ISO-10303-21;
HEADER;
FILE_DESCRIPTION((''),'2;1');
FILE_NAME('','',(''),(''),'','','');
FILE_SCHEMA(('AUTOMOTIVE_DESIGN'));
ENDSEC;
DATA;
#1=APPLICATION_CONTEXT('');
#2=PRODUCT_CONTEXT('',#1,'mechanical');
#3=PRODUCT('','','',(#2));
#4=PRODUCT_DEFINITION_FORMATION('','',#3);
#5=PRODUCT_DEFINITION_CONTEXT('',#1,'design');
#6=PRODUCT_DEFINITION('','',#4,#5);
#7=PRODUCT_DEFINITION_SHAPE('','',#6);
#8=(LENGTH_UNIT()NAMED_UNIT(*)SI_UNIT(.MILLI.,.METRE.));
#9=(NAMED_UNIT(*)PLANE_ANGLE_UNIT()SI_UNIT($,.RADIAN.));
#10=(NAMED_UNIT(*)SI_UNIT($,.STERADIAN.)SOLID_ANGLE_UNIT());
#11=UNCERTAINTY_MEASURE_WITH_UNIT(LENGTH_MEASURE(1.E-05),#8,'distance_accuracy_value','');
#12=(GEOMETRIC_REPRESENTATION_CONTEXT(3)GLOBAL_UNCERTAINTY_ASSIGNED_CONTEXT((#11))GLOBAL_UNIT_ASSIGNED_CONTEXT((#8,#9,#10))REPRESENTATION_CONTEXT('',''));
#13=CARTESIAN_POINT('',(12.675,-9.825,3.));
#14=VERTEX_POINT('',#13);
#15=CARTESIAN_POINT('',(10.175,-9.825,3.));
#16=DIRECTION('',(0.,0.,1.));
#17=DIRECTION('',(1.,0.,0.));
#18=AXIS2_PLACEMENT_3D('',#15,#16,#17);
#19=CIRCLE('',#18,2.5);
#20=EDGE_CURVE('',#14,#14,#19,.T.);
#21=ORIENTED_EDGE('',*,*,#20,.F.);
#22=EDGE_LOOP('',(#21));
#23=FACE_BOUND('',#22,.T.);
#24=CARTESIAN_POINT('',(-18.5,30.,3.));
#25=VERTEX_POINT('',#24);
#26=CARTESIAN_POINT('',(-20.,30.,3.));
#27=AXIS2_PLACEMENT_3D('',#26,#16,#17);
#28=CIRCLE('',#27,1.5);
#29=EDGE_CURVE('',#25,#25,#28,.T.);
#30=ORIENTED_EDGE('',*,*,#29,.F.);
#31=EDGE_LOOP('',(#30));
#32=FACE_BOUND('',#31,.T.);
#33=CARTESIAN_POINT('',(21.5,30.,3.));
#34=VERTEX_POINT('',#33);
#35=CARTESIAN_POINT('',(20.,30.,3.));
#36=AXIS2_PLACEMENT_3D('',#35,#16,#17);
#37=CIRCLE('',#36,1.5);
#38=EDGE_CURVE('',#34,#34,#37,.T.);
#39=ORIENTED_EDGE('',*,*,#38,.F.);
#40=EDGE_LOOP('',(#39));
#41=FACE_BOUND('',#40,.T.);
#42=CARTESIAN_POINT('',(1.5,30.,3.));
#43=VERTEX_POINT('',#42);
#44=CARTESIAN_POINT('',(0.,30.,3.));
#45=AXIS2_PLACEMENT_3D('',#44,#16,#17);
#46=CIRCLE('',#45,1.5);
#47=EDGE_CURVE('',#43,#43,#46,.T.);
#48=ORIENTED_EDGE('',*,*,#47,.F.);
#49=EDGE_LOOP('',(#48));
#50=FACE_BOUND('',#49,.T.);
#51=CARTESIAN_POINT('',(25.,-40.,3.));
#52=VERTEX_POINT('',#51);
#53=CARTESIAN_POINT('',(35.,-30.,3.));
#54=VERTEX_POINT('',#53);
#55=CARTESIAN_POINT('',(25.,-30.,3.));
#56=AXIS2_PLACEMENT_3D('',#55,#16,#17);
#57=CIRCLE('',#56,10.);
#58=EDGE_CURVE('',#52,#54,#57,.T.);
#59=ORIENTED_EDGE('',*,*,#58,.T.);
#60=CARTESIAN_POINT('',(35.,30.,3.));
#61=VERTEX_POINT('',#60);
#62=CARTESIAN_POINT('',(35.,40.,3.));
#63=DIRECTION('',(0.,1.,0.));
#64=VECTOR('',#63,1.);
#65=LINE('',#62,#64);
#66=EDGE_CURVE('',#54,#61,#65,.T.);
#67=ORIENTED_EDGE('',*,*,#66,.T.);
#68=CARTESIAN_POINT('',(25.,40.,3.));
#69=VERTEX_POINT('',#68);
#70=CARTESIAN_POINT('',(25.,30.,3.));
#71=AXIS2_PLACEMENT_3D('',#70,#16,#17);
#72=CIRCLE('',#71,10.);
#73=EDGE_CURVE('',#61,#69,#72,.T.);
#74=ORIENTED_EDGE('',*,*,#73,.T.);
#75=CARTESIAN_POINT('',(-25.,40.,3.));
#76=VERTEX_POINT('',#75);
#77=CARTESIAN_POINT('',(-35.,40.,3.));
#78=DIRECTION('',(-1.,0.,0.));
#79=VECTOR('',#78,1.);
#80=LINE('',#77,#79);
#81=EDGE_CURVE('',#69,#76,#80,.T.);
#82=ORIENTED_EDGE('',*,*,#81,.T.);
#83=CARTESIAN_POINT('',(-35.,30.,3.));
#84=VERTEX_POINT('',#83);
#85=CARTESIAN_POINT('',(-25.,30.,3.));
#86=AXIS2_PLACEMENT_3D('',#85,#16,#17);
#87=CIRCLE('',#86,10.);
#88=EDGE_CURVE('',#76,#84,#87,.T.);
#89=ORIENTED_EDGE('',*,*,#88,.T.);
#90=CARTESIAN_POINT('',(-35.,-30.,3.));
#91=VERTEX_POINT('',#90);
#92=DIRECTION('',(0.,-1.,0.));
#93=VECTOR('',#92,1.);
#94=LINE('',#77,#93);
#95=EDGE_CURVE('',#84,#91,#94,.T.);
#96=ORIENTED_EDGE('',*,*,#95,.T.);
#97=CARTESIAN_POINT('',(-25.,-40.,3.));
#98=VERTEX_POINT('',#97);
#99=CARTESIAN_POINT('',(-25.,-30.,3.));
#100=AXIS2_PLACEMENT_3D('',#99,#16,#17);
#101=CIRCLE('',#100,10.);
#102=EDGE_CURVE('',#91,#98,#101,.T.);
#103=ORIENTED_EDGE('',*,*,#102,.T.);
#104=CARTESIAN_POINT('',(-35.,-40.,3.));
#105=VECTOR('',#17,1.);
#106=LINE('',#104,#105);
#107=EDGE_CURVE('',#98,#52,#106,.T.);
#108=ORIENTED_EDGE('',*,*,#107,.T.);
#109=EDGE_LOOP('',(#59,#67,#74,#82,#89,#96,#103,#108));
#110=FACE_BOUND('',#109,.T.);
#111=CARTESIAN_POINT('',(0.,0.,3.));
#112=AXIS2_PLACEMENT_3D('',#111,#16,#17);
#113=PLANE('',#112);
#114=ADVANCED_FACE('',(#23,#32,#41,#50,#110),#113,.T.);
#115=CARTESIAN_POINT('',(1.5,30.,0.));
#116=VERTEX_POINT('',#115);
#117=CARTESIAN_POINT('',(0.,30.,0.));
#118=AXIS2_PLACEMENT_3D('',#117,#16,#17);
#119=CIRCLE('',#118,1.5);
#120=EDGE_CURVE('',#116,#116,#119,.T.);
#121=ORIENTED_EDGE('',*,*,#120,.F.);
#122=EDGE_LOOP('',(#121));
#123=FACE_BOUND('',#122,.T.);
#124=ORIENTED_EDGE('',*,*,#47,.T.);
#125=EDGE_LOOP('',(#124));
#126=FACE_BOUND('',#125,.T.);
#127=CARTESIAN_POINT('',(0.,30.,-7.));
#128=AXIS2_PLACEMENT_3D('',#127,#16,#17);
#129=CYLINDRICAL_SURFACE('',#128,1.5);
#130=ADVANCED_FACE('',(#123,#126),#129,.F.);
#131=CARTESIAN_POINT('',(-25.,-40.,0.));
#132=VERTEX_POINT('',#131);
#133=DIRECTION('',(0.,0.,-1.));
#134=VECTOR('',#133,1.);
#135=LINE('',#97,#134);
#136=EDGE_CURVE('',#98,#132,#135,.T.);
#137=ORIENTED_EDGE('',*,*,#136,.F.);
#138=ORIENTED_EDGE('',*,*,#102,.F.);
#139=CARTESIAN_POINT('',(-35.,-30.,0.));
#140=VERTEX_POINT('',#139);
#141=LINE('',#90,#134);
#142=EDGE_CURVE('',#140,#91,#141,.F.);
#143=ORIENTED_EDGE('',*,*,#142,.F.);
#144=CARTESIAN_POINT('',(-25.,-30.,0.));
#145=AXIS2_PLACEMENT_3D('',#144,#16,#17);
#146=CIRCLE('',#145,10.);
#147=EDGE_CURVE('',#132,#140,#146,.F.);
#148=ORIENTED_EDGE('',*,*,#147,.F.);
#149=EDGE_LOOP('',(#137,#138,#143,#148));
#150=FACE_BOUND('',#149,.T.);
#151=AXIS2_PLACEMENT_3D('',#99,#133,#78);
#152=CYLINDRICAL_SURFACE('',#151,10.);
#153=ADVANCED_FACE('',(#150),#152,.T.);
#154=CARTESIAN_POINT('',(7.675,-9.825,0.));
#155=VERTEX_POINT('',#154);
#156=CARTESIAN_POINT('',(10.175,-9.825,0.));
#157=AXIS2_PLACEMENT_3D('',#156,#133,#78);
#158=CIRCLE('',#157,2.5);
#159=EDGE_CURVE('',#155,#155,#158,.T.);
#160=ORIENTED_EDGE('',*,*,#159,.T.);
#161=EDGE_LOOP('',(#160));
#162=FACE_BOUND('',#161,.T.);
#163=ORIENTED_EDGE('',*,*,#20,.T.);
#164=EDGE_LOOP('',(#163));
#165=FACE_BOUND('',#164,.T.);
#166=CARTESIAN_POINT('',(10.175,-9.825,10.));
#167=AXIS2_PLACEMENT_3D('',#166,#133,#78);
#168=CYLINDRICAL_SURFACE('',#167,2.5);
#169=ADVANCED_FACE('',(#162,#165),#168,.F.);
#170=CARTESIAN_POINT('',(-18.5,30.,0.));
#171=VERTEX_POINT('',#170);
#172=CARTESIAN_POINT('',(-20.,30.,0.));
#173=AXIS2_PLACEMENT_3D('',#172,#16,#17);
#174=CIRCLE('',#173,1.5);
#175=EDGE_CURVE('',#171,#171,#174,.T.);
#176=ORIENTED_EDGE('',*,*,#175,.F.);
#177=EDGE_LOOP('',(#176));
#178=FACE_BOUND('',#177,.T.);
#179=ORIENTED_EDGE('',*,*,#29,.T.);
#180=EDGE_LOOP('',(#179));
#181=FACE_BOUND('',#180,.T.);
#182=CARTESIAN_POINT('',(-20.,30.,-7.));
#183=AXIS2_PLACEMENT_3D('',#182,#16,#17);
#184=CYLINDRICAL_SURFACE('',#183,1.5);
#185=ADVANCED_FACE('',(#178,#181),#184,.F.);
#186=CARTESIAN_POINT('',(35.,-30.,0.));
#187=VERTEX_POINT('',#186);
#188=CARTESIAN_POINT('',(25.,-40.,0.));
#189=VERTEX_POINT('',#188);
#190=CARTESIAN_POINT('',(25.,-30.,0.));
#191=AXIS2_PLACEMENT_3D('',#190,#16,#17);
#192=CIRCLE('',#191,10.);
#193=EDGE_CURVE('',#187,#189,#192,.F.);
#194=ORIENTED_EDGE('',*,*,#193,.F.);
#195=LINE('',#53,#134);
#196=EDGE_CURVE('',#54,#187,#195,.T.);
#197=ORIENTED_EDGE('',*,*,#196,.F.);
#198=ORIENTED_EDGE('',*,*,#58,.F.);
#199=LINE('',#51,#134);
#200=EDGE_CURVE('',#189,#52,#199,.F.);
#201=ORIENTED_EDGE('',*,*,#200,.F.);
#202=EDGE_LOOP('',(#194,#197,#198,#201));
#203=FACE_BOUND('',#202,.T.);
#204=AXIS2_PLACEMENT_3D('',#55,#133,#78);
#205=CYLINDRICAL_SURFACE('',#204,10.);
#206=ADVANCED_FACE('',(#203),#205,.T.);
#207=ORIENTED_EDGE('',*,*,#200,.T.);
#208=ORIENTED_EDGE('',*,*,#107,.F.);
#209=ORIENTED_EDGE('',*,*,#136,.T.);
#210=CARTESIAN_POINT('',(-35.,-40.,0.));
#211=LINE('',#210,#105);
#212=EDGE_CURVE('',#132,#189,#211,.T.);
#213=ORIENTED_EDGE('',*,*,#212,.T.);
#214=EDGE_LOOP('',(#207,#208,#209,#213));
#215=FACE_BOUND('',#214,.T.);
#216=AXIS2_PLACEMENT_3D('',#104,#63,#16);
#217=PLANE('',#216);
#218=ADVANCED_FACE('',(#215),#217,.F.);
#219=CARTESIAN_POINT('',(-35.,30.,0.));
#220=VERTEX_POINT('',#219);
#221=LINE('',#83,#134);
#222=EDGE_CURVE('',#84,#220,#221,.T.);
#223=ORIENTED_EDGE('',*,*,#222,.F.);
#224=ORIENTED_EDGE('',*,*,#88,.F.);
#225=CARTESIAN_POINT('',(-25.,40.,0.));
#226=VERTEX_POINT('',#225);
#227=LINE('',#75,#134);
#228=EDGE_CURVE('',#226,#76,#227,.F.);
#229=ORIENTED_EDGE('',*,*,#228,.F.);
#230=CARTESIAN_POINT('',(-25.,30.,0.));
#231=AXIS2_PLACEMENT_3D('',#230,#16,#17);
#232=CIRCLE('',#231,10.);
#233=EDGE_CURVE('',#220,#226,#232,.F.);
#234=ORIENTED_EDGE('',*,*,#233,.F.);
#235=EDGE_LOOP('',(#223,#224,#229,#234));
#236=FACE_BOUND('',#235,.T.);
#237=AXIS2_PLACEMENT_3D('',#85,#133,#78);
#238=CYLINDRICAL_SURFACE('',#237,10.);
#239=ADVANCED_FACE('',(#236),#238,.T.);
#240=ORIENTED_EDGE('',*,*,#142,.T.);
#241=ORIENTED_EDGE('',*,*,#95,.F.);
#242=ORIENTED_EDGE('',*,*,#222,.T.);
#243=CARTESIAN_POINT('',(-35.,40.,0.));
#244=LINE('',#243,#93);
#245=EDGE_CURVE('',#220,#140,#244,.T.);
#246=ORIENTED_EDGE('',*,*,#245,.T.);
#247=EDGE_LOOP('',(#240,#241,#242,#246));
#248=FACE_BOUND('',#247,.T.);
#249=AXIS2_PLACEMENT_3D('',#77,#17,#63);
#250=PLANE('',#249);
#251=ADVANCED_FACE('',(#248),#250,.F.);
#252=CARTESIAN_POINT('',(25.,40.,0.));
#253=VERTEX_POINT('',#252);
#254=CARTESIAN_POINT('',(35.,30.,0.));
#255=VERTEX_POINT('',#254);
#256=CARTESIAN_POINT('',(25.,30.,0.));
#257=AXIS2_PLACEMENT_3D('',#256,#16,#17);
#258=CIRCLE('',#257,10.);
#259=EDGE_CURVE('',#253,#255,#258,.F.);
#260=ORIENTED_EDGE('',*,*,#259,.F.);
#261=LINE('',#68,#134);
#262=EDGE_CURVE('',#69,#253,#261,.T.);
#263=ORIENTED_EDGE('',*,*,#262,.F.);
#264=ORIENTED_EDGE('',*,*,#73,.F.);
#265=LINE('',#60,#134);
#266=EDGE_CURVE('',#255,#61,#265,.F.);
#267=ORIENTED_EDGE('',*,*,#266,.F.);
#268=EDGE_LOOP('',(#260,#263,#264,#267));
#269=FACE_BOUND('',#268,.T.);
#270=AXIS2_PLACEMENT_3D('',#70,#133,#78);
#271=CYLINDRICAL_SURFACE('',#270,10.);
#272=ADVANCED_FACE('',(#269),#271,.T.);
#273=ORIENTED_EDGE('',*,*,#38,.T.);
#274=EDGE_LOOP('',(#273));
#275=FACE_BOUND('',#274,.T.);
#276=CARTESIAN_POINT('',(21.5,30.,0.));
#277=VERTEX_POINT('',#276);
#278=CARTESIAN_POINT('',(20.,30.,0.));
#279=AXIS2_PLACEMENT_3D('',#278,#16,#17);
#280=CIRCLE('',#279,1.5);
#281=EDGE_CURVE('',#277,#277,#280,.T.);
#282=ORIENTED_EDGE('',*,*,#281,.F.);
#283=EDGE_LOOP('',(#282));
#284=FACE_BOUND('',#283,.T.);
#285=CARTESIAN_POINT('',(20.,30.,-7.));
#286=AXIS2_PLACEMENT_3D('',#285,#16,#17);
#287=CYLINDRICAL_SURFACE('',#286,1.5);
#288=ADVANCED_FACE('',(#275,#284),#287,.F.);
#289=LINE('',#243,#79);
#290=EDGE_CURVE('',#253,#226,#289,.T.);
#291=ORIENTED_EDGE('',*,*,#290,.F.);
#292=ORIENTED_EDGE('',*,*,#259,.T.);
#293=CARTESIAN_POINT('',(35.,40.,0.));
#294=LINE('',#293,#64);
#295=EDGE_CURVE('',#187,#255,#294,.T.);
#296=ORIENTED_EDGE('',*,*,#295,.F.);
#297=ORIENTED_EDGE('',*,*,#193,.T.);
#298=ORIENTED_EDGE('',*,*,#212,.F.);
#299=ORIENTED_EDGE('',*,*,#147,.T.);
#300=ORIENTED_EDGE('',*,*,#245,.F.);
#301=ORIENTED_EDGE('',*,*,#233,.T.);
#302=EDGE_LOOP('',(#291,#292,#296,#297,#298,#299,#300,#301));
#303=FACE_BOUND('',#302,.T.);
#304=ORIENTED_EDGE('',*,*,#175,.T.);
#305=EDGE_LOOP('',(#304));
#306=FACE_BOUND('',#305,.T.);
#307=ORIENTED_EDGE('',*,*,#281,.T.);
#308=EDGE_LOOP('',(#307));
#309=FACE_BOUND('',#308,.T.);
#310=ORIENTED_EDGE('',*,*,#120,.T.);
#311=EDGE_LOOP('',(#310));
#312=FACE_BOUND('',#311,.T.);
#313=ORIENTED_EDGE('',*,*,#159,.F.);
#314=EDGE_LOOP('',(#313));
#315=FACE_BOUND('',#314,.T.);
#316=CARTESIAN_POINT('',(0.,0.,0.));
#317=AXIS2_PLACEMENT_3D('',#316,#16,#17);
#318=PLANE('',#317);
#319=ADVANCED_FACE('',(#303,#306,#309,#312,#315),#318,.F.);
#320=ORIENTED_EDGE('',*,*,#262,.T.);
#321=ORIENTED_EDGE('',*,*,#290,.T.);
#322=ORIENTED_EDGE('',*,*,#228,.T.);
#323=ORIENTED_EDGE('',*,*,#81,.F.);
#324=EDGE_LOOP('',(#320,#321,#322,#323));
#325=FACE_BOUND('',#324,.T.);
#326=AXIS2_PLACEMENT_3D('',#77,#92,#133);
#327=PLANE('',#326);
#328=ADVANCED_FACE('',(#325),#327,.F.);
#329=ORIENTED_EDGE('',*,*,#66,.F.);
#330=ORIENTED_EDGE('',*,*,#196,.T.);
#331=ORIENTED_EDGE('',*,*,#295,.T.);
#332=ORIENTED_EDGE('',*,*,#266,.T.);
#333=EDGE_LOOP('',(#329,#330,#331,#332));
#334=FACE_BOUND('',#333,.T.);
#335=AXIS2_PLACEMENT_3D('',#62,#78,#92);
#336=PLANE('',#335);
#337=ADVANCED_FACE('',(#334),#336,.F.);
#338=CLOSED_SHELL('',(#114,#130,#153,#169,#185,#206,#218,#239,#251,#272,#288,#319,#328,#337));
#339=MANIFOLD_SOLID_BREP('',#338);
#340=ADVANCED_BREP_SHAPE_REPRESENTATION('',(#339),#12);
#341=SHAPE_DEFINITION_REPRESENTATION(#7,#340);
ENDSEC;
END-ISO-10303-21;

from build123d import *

# Parameters (mm, degrees)
SKETCH_1_W          = 70
SKETCH_1_H          = 80
EXTRUDE_1_DEPTH     = 3
SKETCH_2_R          = 2.5
CUT_EXTRUDE_1_DEPTH = 10
SKETCH_3_R          = 1.5
CUT_EXTRUDE_2_DEPTH = 10
FILLET_1_R          = 10


with BuildPart() as part:
    # 草图1 → 凸台-拉伸1 (new body)
    with BuildSketch(Plane.XY):
        Rectangle(SKETCH_1_W, SKETCH_1_H)
    extrude(amount=EXTRUDE_1_DEPTH)

    # 草图2 → 切除-拉伸1 (cut)
    with BuildSketch(Plane(origin=(0, 0, 0), x_dir=(-1, 0, 0), z_dir=(0, 0, -1))):
        with Locations((-10.175, -9.825)):
            Circle(SKETCH_2_R)
    extrude(amount=-CUT_EXTRUDE_1_DEPTH, mode=Mode.SUBTRACT)

    # 草图3 → 切除-拉伸2 (cut)
    with BuildSketch(Plane.XY.offset(3)):
        with Locations((0, 30)):
            Circle(SKETCH_3_R)
        with Locations((20, 30)):
            Circle(SKETCH_3_R)
        with Locations((-20, 30)):
            Circle(SKETCH_3_R)
    extrude(amount=-CUT_EXTRUDE_2_DEPTH, mode=Mode.SUBTRACT)

    # 圆角1
    fillet_1_edges = [part.edges().sort_by_distance(p)[0] for p in [
        (35, -40, 1.5),
        (-35, -40, 1.5),
        (-35, 40, 1.5),
        (35, 40, 1.5),
    ]]
    fillet(fillet_1_edges, radius=FILLET_1_R)


solid = part.part
